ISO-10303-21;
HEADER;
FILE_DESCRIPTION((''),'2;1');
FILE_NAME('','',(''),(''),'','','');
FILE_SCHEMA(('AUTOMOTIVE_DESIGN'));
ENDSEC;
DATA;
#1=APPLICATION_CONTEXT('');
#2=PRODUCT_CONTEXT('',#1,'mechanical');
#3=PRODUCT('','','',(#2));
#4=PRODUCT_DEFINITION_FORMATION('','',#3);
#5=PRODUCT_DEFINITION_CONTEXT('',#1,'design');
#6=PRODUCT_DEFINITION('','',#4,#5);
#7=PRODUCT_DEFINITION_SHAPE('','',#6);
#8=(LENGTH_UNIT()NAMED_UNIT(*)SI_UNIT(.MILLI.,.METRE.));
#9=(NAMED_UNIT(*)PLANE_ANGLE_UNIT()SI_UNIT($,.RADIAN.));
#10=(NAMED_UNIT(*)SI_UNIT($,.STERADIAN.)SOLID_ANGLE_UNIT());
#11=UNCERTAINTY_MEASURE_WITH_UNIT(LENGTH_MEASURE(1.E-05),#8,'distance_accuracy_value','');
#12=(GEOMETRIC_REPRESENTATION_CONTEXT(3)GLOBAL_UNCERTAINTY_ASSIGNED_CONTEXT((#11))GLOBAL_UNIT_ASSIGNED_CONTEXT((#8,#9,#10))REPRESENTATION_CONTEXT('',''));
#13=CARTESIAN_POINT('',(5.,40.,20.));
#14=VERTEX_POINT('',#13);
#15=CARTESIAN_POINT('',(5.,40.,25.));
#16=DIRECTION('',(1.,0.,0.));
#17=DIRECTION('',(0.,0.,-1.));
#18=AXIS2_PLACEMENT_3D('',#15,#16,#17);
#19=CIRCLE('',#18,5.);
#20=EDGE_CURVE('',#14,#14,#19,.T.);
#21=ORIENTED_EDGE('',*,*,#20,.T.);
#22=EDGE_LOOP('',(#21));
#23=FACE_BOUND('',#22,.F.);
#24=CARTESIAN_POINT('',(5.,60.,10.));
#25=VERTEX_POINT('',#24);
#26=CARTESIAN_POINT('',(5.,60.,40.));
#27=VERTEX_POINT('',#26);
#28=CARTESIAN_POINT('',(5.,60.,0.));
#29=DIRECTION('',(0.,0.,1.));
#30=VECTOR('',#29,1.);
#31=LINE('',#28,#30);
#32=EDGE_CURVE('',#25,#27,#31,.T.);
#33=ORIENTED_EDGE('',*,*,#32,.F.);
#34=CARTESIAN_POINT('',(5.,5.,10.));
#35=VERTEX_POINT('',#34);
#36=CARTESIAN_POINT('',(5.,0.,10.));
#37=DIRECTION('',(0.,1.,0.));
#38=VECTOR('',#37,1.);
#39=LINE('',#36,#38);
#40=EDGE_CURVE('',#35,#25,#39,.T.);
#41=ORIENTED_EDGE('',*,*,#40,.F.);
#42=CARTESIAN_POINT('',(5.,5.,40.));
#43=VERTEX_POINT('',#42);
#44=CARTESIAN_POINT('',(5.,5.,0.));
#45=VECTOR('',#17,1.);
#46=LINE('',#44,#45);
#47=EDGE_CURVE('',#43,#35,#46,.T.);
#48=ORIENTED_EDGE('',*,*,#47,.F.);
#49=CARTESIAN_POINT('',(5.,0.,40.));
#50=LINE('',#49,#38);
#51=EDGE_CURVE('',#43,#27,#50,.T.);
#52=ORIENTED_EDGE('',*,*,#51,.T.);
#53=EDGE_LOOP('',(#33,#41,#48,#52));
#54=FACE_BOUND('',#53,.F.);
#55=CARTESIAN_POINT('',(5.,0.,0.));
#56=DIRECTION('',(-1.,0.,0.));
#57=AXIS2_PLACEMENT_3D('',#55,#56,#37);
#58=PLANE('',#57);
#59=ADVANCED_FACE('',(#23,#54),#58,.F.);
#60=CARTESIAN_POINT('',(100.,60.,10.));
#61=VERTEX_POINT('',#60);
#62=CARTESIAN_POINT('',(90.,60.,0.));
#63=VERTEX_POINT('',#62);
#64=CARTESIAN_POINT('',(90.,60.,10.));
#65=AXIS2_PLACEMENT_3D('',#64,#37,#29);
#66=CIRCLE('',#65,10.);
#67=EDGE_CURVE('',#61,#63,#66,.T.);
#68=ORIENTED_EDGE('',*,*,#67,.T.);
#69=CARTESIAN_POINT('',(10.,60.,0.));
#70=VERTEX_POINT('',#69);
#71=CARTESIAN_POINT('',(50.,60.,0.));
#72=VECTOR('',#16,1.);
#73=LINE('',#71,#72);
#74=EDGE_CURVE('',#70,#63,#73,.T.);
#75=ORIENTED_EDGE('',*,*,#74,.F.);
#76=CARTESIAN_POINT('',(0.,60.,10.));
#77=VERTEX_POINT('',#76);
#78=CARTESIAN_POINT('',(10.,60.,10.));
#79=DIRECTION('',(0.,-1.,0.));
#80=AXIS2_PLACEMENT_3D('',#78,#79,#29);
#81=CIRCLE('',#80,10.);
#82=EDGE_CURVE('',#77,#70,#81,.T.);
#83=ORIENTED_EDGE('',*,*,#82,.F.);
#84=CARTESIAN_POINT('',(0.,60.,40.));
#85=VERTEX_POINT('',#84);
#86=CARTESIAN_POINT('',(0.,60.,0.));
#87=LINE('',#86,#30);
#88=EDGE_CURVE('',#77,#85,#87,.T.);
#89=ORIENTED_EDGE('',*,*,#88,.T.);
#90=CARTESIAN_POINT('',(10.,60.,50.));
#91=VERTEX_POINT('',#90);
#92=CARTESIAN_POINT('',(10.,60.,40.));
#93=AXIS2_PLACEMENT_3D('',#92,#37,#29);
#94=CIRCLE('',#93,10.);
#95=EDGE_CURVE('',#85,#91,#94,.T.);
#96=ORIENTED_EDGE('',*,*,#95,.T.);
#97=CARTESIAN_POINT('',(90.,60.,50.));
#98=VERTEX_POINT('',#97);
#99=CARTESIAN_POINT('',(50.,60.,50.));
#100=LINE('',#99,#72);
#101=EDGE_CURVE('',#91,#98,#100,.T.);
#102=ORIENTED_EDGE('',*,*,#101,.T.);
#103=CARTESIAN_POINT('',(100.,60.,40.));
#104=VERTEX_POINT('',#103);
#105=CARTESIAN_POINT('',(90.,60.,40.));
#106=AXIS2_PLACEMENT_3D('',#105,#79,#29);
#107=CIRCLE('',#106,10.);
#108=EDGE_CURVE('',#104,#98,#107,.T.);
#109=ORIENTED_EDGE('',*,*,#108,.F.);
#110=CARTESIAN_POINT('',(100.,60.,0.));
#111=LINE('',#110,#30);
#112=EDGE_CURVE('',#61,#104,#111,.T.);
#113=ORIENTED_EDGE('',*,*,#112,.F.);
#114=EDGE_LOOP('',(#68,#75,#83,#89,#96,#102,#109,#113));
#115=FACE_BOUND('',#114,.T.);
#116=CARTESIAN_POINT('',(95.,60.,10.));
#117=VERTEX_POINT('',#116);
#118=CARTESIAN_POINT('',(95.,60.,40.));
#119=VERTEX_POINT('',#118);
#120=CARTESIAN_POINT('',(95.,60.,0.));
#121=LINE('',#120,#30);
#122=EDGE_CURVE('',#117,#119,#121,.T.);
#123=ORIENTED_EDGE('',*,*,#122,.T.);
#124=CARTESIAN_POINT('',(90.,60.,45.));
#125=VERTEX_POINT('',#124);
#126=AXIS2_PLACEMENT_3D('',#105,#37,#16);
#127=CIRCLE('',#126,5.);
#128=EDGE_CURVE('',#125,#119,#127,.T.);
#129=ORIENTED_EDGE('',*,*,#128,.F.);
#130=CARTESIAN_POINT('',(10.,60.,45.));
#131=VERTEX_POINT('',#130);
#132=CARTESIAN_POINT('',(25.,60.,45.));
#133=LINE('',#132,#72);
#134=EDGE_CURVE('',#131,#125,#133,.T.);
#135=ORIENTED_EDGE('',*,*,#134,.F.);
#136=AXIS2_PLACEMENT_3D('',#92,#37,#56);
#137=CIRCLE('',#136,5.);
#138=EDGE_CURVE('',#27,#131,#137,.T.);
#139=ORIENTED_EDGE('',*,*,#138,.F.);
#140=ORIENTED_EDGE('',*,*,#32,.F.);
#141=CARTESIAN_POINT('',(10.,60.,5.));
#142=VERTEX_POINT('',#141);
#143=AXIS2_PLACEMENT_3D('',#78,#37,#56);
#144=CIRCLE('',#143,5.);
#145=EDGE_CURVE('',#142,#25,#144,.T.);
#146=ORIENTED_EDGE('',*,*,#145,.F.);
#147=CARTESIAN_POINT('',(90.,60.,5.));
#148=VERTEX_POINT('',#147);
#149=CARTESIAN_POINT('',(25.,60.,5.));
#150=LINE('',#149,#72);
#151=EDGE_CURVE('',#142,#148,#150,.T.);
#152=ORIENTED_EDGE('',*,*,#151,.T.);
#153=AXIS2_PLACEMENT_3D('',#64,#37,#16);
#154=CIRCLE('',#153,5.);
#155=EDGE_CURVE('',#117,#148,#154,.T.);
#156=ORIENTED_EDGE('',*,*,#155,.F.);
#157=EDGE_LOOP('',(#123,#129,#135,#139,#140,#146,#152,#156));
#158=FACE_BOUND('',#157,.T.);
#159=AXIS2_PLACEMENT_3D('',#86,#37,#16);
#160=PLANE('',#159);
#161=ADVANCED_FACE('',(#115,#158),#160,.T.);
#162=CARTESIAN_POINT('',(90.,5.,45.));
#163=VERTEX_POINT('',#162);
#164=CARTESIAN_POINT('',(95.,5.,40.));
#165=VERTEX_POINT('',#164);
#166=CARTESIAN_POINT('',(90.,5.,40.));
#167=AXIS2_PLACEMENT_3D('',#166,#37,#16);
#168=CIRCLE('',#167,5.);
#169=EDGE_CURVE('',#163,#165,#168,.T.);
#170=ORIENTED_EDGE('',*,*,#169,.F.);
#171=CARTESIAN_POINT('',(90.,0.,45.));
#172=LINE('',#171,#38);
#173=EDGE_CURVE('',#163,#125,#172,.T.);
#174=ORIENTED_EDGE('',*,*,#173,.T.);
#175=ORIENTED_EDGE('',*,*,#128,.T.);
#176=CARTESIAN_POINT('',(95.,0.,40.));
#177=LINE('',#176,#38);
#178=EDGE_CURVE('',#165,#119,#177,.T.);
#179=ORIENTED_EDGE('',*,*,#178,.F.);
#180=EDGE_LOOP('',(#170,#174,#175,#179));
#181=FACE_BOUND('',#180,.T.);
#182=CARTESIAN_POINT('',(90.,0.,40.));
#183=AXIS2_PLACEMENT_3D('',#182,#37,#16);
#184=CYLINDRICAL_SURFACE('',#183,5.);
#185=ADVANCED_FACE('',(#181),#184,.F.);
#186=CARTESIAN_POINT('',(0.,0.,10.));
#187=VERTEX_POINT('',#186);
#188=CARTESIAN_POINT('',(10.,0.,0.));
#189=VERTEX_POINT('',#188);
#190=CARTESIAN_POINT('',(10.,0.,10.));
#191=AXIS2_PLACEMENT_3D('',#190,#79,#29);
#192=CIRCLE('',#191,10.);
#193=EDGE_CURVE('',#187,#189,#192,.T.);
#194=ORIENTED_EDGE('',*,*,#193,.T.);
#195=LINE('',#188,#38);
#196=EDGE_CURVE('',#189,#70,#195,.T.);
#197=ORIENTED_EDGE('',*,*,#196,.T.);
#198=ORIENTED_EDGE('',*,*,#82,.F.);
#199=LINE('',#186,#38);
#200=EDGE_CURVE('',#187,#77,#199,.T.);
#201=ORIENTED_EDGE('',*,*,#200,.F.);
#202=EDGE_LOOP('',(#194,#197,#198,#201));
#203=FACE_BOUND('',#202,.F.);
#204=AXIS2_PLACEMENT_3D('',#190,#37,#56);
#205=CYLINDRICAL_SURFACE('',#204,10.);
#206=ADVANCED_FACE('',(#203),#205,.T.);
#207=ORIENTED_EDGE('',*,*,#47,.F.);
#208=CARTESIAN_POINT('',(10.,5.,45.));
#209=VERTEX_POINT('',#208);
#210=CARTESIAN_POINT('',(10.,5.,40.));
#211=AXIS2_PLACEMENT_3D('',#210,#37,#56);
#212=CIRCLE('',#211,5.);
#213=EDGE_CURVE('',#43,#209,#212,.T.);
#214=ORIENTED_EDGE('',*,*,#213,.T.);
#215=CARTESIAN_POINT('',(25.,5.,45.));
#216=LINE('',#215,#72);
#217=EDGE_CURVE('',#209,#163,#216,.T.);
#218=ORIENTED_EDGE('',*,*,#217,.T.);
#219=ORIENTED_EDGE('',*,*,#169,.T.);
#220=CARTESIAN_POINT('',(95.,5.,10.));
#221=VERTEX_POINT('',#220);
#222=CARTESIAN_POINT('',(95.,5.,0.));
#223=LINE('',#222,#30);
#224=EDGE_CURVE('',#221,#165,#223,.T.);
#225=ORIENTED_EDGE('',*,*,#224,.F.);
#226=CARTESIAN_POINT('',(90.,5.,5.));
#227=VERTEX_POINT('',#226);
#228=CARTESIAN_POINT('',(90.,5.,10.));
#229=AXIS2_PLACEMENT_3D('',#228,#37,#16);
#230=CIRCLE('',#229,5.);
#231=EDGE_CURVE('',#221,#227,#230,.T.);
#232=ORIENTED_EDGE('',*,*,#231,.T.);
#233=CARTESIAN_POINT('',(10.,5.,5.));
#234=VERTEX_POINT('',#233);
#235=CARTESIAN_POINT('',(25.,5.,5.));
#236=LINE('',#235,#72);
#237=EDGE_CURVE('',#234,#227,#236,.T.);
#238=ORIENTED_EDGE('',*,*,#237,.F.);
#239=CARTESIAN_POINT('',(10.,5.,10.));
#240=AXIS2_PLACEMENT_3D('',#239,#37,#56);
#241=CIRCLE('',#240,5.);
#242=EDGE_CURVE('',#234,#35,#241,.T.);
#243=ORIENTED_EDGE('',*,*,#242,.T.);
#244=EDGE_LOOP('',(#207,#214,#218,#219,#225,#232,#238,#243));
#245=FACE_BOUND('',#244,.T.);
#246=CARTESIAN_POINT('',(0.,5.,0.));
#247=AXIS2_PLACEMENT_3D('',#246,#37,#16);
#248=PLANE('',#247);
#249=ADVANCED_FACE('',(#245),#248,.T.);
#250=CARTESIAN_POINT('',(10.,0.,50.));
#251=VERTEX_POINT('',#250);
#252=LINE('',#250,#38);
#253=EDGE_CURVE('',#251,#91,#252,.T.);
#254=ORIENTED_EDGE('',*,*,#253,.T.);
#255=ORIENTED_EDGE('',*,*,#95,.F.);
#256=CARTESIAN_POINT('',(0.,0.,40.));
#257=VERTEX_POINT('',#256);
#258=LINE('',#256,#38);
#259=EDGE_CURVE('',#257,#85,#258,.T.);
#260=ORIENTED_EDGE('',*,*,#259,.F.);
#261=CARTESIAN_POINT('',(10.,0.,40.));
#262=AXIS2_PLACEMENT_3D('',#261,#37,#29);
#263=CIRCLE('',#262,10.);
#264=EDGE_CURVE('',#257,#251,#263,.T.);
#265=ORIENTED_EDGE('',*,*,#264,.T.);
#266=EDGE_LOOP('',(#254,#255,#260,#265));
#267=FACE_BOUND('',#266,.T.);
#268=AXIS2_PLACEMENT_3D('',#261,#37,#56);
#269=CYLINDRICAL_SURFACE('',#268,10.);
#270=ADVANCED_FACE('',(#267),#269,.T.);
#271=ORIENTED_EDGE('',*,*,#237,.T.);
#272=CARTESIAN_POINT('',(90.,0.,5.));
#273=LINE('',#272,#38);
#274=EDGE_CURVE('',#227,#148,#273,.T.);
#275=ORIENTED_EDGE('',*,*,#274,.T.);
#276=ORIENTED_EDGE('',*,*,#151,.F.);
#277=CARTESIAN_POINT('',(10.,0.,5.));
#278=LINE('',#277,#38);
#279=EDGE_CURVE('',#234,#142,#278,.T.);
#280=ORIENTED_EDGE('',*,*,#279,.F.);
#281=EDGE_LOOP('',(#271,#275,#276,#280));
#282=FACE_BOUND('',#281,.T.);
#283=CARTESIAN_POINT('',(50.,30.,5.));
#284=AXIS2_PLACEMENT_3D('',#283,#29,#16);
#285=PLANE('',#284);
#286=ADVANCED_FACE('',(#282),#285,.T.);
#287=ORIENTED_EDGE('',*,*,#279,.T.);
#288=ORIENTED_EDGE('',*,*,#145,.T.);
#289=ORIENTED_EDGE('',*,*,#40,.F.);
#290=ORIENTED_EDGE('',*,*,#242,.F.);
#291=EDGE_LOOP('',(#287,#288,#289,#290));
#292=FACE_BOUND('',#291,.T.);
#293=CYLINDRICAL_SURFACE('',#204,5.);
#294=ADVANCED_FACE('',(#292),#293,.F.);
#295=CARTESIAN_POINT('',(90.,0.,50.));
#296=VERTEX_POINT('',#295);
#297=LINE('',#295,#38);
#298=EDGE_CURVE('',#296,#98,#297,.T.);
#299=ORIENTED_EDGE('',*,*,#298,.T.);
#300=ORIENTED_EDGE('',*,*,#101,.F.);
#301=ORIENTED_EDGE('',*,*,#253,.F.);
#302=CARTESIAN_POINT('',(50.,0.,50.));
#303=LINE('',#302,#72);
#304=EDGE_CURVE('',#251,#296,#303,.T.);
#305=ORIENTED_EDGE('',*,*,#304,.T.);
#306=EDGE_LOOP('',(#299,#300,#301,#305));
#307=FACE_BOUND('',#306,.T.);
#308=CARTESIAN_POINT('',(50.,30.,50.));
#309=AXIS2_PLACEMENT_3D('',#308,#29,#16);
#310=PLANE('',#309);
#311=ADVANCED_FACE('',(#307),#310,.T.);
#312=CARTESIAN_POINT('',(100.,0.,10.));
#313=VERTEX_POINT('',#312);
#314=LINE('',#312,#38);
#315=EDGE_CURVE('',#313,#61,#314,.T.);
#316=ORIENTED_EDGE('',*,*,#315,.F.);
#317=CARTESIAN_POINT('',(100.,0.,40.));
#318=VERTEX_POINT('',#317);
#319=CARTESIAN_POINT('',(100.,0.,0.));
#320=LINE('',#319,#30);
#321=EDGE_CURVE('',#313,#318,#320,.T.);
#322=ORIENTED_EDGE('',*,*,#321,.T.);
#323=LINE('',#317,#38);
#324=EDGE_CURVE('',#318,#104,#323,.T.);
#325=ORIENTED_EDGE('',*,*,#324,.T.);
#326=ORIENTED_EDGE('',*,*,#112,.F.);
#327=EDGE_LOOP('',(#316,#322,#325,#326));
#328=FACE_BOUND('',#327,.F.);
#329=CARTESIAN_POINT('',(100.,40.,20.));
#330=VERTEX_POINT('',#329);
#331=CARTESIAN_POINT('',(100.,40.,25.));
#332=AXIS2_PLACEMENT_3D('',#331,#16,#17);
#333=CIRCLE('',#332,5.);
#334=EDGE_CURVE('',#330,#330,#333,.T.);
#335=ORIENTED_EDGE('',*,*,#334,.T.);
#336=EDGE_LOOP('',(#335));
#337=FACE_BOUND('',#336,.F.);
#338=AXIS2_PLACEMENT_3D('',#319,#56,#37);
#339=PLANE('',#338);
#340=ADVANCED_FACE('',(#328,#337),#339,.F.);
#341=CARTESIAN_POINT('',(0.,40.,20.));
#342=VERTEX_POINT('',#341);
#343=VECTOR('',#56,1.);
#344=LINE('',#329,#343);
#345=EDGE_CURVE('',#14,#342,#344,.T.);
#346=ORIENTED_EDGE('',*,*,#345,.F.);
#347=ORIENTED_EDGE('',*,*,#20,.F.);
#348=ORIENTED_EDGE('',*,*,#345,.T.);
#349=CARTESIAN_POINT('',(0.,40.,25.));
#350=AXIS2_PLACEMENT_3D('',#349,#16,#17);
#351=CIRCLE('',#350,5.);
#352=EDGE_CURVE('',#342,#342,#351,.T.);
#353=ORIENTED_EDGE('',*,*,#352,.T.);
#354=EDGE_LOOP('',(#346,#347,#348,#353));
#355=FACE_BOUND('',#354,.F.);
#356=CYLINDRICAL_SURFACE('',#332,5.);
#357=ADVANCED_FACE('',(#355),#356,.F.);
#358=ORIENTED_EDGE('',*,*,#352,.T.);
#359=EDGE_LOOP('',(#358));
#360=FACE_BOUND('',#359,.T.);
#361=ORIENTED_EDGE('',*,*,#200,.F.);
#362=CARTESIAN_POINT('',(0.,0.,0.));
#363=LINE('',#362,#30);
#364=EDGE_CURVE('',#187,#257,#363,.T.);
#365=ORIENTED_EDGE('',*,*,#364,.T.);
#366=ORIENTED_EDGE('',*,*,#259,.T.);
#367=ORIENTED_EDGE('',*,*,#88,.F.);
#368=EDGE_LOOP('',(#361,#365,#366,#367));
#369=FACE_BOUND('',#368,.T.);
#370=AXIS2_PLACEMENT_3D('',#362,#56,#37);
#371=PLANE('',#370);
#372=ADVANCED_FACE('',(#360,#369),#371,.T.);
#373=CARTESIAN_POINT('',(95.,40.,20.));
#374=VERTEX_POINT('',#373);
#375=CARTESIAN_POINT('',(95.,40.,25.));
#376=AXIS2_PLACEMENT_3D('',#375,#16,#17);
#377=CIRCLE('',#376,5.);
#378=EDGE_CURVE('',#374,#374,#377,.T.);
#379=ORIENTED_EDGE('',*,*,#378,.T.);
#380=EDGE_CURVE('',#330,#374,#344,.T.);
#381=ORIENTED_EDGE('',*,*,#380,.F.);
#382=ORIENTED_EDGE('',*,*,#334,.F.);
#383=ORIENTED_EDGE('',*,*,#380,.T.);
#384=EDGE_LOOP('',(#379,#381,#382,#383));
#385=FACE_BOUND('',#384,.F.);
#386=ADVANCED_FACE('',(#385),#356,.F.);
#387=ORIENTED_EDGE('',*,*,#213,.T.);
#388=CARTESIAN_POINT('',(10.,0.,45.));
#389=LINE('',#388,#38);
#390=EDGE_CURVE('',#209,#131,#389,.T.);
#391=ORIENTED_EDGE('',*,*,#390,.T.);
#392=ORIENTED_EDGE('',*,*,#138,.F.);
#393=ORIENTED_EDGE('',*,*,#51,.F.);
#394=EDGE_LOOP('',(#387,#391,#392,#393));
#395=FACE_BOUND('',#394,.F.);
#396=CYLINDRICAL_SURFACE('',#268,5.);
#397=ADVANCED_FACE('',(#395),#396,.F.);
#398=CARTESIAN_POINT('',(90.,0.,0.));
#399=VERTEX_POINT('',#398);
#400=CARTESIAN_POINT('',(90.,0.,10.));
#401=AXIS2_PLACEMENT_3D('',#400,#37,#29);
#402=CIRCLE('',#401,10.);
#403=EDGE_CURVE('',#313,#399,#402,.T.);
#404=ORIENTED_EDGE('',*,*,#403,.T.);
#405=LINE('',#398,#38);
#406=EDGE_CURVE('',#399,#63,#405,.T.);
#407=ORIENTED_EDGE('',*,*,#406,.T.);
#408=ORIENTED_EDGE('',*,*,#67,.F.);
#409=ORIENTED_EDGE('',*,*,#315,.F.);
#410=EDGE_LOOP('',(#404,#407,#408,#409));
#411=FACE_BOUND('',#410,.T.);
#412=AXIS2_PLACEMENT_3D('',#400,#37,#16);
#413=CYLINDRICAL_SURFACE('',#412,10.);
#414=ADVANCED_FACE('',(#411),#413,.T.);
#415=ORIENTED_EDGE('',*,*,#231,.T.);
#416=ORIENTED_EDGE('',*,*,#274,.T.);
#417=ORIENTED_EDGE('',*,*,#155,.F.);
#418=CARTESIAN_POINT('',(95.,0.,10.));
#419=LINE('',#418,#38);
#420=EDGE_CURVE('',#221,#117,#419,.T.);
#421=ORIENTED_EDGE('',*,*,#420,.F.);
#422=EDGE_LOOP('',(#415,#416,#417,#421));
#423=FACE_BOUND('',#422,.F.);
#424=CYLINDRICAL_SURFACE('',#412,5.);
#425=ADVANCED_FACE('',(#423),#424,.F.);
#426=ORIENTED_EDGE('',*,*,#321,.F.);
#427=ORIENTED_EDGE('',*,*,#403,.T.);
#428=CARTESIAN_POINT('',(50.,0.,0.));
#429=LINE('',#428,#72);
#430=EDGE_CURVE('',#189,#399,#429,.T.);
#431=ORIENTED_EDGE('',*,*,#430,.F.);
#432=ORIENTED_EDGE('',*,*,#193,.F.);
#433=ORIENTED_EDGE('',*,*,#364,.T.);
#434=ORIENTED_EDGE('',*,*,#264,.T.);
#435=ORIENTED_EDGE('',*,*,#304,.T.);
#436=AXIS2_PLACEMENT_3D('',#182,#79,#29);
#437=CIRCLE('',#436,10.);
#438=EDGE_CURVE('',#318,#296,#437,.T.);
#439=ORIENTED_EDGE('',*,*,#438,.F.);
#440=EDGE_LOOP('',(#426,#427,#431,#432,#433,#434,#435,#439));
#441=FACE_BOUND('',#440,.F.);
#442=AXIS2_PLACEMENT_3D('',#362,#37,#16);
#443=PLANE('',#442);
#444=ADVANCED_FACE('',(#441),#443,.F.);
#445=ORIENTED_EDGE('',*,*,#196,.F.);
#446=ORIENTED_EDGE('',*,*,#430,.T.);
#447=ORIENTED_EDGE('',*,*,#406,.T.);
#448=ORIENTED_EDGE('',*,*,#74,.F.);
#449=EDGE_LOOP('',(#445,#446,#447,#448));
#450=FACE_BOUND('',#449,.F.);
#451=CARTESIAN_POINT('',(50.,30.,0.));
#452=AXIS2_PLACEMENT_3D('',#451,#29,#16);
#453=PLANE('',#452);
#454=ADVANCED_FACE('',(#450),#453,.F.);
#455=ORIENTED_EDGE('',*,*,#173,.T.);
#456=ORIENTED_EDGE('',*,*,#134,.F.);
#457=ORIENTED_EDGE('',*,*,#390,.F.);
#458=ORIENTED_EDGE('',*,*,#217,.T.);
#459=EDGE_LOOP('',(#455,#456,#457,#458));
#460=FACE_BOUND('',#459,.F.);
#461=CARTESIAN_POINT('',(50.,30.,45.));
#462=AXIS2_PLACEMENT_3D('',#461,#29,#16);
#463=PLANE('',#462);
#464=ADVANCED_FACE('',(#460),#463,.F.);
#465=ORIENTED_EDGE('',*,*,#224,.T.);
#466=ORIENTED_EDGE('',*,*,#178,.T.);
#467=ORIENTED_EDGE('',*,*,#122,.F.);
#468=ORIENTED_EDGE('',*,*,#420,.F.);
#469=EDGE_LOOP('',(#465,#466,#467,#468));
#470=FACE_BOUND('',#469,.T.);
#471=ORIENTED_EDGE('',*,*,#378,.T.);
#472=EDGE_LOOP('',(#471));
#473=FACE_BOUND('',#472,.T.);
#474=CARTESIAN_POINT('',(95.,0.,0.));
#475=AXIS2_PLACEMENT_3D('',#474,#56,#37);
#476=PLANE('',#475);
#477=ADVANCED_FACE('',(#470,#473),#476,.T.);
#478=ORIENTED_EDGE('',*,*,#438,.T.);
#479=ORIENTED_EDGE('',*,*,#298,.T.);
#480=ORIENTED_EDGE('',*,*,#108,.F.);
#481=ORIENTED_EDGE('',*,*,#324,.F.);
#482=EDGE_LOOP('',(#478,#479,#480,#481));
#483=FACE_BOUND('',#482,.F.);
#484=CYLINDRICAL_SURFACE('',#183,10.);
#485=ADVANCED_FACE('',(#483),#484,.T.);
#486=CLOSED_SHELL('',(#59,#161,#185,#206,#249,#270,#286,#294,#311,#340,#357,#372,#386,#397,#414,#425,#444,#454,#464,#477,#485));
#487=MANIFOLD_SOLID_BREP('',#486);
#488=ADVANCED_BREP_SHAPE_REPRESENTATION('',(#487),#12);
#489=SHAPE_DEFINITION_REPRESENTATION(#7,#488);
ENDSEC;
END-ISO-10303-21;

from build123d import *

# Parameters (mm, degrees)
SKETCH1_W           = 100
SKETCH1_H           = 60
BOSS_EXTRUDE1_DEPTH = 50
FILLET1_R           = 10
SHELL1_T            = -5
SKETCH2_R           = 5
CUT_EXTRUDE1_DEPTH  = 101


with BuildPart() as part:
    # Sketch1 → Boss-Extrude1 (new body)
    with BuildSketch(Plane.XY):
        with Locations((50, 30)):
            Rectangle(SKETCH1_W, SKETCH1_H)
    extrude(amount=BOSS_EXTRUDE1_DEPTH)

    # Fillet1
    fillet1_edges = [part.edges().sort_by_distance(p)[0] for p in [
        (100, 30, 50),
        (0, 30, 50),
        (100, 30, 0),
        (0, 30, 0),
    ]]
    fillet(fillet1_edges, radius=FILLET1_R)

    # Shell1
    shell1_openings = [part.faces().sort_by_distance(p)[0] for p in [
        (50, 60, 25),
    ]]
    offset(amount=SHELL1_T, openings=shell1_openings, kind=Kind.INTERSECTION)

    # Sketch2 → Cut-Extrude1 (cut, through all)
    with BuildSketch(Plane(origin=(100, 0, 0), x_dir=(0, 0, -1), z_dir=(1, 0, 0))):
        with Locations((-25, 40)):
            Circle(SKETCH2_R)
    extrude(amount=-CUT_EXTRUDE1_DEPTH, mode=Mode.SUBTRACT)


solid = part.part
